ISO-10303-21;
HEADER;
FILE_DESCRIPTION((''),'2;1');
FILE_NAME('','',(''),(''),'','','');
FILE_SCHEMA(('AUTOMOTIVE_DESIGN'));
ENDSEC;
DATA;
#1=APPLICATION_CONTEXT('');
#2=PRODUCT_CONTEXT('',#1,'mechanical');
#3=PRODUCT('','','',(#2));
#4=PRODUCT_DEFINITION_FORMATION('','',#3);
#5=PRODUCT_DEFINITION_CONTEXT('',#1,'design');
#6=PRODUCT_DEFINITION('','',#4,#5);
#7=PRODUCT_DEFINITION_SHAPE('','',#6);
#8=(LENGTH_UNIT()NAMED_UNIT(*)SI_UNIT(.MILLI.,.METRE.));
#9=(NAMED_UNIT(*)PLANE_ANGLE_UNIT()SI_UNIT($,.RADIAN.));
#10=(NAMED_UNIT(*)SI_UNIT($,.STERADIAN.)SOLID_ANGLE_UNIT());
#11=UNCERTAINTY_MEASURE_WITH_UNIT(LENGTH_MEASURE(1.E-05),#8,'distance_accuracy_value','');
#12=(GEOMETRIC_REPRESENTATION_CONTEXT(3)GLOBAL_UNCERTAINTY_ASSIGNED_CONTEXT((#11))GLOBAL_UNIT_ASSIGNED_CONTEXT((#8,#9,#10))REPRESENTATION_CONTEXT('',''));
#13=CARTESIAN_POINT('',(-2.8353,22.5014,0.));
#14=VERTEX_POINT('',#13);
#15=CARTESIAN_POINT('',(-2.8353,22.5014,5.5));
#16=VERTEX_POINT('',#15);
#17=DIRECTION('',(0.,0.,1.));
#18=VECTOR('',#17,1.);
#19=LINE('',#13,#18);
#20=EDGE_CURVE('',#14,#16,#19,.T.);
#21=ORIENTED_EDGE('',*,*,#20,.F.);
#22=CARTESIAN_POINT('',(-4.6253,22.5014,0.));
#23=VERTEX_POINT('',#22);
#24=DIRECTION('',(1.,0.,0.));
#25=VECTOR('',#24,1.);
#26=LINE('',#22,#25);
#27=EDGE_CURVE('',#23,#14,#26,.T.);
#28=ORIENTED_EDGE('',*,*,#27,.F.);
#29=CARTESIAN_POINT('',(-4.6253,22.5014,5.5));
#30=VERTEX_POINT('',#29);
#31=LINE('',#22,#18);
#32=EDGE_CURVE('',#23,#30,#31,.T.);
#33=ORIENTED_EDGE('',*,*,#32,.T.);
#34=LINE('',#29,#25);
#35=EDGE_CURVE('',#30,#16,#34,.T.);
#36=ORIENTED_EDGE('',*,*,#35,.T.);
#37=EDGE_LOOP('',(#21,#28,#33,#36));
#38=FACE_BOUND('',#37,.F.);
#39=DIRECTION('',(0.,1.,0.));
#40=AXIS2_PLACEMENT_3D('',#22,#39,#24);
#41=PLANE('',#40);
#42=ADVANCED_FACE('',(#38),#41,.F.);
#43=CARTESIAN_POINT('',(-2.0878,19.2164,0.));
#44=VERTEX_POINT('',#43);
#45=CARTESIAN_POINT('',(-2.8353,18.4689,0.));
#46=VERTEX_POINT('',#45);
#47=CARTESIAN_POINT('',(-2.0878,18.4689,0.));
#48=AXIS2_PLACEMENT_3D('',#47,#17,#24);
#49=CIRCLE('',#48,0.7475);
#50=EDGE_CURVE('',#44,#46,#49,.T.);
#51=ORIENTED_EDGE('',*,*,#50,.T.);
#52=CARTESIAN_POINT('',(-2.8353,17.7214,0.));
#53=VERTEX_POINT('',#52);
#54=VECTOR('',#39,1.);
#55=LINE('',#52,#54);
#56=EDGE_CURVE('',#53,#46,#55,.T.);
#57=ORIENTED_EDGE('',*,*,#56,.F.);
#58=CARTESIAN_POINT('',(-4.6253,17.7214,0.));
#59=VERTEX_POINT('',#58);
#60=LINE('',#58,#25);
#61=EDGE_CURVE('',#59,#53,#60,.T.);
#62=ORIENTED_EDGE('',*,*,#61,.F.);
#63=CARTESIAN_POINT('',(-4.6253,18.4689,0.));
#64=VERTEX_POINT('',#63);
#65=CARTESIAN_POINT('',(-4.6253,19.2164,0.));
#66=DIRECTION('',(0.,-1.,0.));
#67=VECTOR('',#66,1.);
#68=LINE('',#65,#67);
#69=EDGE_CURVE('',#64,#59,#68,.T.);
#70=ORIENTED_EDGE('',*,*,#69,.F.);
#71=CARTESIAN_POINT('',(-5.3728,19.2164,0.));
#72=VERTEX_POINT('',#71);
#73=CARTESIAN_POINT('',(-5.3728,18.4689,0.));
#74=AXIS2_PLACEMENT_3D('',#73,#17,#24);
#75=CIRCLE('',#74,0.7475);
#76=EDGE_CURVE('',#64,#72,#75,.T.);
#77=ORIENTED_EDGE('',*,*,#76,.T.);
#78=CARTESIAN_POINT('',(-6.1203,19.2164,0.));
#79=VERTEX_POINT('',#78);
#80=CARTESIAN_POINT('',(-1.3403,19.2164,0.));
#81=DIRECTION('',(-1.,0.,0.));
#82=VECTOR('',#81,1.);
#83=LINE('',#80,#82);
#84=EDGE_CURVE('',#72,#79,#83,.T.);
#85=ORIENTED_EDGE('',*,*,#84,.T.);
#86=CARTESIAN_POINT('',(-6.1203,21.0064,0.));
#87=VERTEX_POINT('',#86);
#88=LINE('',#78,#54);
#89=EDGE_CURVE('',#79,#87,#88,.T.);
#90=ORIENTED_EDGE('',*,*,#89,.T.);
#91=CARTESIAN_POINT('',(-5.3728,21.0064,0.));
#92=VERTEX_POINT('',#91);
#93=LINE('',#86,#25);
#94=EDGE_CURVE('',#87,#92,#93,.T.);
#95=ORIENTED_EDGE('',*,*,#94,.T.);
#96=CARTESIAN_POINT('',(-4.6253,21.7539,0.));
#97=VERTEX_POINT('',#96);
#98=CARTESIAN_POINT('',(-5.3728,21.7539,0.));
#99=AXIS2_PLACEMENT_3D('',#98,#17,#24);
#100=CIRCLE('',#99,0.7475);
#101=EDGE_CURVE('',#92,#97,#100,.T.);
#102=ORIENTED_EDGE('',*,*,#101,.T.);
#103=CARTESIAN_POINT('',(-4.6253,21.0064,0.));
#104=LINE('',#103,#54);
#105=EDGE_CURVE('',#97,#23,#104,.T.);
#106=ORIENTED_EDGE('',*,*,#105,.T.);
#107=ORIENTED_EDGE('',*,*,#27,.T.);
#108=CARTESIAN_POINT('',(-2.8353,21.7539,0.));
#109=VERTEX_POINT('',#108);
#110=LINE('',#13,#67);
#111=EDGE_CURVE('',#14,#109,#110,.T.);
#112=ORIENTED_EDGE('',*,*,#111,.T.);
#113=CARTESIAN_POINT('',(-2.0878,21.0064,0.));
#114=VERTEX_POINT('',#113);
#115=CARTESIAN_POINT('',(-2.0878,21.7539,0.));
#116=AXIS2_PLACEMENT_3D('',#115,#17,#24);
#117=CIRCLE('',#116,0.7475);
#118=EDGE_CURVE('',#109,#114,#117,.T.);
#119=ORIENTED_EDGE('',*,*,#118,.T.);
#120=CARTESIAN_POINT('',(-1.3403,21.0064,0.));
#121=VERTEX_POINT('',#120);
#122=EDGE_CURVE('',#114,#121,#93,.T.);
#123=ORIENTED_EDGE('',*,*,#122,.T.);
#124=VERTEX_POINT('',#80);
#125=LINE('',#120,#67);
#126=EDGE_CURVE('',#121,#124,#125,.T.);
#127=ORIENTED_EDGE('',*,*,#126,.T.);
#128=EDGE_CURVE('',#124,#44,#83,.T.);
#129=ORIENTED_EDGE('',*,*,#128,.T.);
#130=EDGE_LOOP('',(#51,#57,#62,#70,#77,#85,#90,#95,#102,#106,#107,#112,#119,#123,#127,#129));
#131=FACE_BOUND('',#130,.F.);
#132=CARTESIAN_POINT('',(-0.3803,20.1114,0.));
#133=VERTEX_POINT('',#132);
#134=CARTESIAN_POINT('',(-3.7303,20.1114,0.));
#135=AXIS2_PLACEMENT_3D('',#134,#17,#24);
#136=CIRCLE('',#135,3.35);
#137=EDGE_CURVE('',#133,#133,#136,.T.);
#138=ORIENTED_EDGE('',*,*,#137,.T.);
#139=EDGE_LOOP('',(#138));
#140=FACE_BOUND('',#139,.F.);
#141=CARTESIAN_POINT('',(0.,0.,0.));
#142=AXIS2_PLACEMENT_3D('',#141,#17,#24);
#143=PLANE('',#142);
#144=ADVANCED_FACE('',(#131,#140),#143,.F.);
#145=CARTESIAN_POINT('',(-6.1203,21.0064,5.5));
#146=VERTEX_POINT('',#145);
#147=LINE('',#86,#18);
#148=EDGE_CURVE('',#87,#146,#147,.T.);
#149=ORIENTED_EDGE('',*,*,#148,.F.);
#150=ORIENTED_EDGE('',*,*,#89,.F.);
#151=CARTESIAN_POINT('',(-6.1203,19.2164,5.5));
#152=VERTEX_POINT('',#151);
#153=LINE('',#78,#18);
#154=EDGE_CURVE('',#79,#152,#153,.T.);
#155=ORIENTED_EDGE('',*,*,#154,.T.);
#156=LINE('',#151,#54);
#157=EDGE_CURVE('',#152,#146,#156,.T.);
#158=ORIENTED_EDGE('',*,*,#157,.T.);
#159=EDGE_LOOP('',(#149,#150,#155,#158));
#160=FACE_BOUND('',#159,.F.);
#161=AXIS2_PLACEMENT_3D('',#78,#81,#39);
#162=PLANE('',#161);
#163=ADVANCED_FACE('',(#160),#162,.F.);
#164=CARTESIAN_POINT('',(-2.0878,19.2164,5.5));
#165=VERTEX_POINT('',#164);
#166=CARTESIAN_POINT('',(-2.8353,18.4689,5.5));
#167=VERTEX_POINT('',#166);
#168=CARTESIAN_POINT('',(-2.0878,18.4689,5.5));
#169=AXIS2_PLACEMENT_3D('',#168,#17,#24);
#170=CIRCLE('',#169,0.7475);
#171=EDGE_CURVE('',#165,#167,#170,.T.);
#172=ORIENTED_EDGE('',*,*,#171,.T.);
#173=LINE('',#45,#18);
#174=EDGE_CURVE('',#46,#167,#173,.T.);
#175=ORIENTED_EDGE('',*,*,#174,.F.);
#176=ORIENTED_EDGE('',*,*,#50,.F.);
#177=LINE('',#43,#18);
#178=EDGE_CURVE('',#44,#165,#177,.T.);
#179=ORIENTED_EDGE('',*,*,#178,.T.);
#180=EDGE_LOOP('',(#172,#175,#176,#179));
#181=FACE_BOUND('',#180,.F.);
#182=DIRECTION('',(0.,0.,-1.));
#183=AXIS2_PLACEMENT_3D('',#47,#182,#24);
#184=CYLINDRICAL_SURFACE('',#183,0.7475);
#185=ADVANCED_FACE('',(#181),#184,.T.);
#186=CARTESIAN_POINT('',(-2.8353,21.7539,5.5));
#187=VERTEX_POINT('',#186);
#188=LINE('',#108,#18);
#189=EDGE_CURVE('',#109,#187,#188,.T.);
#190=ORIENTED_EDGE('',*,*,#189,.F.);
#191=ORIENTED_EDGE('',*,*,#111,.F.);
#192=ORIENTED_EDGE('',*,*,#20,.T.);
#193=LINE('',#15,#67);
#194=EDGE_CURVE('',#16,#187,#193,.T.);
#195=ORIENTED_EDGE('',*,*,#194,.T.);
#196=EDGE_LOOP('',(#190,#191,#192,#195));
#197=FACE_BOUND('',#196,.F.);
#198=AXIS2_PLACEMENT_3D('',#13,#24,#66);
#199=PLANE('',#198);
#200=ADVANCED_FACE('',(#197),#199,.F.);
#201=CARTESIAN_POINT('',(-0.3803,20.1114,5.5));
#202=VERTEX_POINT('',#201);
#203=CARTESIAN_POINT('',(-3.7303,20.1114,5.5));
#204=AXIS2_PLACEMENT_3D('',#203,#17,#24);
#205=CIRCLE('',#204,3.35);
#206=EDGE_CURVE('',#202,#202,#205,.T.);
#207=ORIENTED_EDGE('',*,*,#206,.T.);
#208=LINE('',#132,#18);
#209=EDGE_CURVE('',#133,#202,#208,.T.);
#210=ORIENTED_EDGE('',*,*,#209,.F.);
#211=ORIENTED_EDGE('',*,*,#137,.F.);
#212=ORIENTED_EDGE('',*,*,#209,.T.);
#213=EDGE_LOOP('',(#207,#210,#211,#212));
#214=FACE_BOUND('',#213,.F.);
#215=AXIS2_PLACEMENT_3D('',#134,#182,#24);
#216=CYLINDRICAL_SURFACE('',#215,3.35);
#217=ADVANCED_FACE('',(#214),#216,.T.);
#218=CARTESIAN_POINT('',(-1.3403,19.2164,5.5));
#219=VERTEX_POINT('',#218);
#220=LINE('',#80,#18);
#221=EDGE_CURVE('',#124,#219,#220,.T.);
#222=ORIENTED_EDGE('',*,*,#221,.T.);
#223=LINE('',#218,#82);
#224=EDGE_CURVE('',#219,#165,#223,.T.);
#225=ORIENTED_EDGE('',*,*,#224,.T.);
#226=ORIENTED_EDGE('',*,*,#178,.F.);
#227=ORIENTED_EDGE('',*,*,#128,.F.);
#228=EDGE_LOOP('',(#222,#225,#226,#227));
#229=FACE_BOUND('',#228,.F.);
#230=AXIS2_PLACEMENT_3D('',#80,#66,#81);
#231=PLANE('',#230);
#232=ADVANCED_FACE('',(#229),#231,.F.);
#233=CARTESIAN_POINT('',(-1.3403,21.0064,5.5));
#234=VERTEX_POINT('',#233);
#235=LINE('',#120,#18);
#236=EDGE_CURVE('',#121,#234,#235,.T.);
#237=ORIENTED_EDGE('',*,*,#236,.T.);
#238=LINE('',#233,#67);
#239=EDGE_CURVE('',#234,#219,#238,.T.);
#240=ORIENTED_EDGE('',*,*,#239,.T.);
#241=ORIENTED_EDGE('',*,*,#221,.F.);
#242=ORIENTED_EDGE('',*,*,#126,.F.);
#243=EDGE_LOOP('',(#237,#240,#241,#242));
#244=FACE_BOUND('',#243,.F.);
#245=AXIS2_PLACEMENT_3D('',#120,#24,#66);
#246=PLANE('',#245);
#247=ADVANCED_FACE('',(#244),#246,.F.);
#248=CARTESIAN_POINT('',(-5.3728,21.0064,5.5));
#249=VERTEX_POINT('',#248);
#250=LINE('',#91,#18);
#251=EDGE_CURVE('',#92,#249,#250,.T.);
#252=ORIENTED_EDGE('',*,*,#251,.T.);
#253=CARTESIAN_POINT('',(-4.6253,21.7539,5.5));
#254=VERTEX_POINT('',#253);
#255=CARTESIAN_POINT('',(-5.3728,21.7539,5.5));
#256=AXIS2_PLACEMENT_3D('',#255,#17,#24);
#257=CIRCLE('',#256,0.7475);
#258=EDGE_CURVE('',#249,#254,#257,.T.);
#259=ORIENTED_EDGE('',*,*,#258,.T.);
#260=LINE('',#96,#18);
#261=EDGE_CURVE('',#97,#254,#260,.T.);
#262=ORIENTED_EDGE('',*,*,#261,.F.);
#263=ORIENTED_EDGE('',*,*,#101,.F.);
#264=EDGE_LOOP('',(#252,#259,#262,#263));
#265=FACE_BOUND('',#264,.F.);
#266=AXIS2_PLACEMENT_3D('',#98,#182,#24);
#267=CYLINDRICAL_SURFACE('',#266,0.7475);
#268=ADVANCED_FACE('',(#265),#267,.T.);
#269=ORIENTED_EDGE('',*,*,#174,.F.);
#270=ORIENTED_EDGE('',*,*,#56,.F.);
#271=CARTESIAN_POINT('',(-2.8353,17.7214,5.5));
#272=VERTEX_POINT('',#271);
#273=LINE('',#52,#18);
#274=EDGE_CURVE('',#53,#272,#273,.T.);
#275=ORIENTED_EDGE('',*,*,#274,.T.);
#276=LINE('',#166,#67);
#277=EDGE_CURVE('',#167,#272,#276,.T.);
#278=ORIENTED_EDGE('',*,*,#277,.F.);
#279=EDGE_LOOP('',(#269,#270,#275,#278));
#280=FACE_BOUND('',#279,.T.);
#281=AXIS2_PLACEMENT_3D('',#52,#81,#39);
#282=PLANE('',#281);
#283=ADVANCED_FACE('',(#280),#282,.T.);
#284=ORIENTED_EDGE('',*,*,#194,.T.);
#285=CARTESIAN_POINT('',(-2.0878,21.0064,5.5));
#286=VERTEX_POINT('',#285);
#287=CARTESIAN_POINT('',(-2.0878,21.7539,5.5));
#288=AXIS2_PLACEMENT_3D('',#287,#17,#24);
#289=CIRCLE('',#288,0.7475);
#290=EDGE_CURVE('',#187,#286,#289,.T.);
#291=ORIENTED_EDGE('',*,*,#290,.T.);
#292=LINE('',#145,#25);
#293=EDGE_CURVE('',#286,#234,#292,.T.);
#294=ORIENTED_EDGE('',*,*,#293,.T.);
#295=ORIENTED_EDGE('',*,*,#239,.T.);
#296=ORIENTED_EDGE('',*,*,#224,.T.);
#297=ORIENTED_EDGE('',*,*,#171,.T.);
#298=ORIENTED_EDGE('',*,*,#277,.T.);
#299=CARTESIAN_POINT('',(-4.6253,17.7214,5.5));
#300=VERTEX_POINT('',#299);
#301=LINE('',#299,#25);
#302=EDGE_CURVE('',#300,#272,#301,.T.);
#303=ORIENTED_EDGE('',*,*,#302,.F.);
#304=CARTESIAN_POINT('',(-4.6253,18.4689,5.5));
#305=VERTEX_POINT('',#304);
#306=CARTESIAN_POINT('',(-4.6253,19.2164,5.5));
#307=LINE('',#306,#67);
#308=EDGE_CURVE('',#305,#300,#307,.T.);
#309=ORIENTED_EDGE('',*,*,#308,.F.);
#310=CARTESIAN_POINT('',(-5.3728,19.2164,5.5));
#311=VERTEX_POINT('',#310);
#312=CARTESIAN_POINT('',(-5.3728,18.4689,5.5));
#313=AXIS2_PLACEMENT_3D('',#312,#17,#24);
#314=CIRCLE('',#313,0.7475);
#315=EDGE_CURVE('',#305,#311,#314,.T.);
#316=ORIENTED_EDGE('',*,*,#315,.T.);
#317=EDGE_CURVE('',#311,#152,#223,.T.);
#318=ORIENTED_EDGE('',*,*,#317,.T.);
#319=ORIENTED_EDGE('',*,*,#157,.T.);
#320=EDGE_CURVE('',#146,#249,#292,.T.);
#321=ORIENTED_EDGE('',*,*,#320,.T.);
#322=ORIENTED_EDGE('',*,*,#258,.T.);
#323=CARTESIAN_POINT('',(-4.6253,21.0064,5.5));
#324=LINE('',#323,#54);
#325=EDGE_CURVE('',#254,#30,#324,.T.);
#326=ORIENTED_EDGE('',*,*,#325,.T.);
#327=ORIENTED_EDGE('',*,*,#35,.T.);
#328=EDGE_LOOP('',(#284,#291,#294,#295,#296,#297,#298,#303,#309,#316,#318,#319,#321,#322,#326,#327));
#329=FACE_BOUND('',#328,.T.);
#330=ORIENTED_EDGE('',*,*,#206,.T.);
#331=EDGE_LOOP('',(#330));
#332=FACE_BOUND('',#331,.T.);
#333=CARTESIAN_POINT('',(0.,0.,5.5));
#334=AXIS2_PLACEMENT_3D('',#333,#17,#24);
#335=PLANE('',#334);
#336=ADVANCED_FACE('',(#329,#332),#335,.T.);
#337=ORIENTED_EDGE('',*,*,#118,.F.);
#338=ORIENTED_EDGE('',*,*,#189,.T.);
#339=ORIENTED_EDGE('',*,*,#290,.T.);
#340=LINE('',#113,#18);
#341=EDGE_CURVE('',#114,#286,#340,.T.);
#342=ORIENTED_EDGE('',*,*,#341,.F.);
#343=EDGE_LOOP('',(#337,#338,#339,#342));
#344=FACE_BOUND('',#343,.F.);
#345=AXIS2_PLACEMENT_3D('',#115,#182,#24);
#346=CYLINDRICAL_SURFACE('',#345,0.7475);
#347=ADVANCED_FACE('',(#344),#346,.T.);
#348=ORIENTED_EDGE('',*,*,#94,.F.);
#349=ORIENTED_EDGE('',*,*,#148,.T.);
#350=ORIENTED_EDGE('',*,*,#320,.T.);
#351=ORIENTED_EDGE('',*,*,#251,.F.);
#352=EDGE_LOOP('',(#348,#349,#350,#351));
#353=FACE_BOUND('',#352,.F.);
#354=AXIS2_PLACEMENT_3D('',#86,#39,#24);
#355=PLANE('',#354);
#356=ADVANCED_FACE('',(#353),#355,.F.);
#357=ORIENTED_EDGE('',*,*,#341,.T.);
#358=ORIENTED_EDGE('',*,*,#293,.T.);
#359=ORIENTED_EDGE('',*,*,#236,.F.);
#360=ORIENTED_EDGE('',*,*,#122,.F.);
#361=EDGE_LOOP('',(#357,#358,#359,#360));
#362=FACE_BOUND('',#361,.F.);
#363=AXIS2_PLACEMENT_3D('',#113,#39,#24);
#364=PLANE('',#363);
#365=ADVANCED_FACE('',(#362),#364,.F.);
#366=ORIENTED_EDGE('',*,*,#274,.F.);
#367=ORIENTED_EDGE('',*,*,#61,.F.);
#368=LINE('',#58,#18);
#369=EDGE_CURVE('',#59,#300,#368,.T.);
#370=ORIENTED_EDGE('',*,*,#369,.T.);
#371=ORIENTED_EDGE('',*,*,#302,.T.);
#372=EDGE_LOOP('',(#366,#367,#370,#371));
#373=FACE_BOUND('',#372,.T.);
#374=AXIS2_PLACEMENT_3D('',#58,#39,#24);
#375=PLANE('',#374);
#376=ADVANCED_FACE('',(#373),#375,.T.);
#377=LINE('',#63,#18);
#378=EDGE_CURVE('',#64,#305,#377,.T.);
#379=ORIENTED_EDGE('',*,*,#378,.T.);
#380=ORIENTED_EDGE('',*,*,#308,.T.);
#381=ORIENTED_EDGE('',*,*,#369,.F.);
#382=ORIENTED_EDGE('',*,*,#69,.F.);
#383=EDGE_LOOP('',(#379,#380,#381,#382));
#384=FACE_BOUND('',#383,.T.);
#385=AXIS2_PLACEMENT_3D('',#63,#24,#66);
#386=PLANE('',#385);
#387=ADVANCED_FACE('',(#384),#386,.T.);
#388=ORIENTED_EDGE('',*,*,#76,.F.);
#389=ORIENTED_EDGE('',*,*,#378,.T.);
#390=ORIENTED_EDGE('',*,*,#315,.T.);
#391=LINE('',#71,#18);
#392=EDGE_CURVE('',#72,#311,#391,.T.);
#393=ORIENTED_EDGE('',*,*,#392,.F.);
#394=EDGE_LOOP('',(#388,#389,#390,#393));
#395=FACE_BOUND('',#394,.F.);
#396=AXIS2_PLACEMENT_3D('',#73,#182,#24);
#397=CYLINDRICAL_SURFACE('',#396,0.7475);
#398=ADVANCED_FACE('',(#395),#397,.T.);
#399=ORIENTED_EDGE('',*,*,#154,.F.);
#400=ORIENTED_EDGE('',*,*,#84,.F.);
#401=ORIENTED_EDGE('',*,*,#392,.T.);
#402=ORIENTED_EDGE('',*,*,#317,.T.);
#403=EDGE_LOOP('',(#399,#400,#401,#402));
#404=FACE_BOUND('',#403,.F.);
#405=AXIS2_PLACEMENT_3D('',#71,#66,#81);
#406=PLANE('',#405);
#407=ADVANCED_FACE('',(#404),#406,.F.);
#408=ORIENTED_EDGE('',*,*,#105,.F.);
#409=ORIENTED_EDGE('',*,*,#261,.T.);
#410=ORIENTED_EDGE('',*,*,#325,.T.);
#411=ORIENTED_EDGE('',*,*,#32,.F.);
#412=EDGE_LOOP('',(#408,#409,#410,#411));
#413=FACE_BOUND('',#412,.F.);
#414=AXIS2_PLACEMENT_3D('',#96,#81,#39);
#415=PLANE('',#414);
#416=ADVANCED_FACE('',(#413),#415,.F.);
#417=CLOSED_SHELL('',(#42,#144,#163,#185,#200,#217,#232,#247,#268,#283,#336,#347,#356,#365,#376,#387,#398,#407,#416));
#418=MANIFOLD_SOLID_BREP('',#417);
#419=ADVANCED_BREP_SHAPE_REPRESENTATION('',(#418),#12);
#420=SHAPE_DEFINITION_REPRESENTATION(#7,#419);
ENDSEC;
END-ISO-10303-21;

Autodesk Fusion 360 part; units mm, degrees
sketch "Sketch1" plane through (0, 0, 0) normal (0, 0, 1) x (1, 0, 0)
  line L0 (-6.1203, 21.0064) -> (-1.3403, 21.0064)
  line L1 (-1.3403, 21.0064) -> (-1.3403, 19.2164)
  line L2 (-1.3403, 19.2164) -> (-6.1203, 19.2164)
  line L3 (-6.1203, 19.2164) -> (-6.1203, 21.0064)
  line L4 (-6.1203, 19.2164) -> (-4.6253, 19.2164)
  line L5 (-4.6253, 19.2164) -> (-2.8353, 19.2164)
  line L6 (-4.6253, 19.2164) -> (-4.6253, 17.7214)
  line L7 (-4.6253, 17.7214) -> (-2.8353, 17.7214)
  line L8 (-2.8353, 17.7214) -> (-2.8353, 17.8)
  line L9 (-2.8353, 17.8) -> (-2.8353, 19.2164)
  line L10 (-4.6253, 19.2164) -> (-4.6253, 21.0064)
  line L11 (-2.8353, 19.2164) -> (-2.8353, 21.0064)
  line L12 (-2.8353, 21.0064) -> (-4.6253, 21.0064)
  line L13 (-4.6253, 21.0064) -> (-4.6253, 22.5014)
  line L14 (-4.6253, 22.5014) -> (-2.8353, 22.5014)
  line L15 (-2.8353, 22.5014) -> (-2.8353, 21.0064)
  circle A0 centre (-5.3728, 18.4689) radius 0.7475
  circle A1 centre (-2.0878, 18.4689) radius 0.7475
  circle A2 centre (-2.0878, 21.7539) radius 0.7475
  circle A3 centre (-5.3728, 21.7539) radius 0.7475
  circle A4 centre (-3.7303, 20.1114) radius 3.35
  dimension "d2" = 4.78
  dimension "d3" = 1.79
  dimension "d4" = 4.78
  dimension "d5" = 1.495
  dimension "d6" = 1.79
  dimension "d7" = 1.495
  dimension "d8" = 1.79
  dimension "d9" = 1.495
  dimension "d10" = 1.79
  dimension "d11" = 1.495
  dimension "d12" = 0.7475
  dimension "d13" = 0.7475
  dimension "d14" = 1.495
  dimension "d15" = 1.495
  dimension "d16" = 1.495
  dimension "d17" = 6.7
  dimension "d18" = 0.895
  dimension "d19" = 0.895
extrude "Extrude1" add sketch "Sketch1" along normal blind 5.5 contours A3 | A2 | A0 | A1 | A4
equation "d5 = ( ( 4.78 - 1.79 ) / 2 ) * 1 mm"
equation "d12 = ( 1.495 / 2 ) * 1 mm"
equation "d13 = ( 1.495 / 2 ) * 1 mm"
equation "d18 = ( 1.79 / 2 ) * 1 mm"
equation "d19 = ( 1.79 / 2 ) * 1 mm"
